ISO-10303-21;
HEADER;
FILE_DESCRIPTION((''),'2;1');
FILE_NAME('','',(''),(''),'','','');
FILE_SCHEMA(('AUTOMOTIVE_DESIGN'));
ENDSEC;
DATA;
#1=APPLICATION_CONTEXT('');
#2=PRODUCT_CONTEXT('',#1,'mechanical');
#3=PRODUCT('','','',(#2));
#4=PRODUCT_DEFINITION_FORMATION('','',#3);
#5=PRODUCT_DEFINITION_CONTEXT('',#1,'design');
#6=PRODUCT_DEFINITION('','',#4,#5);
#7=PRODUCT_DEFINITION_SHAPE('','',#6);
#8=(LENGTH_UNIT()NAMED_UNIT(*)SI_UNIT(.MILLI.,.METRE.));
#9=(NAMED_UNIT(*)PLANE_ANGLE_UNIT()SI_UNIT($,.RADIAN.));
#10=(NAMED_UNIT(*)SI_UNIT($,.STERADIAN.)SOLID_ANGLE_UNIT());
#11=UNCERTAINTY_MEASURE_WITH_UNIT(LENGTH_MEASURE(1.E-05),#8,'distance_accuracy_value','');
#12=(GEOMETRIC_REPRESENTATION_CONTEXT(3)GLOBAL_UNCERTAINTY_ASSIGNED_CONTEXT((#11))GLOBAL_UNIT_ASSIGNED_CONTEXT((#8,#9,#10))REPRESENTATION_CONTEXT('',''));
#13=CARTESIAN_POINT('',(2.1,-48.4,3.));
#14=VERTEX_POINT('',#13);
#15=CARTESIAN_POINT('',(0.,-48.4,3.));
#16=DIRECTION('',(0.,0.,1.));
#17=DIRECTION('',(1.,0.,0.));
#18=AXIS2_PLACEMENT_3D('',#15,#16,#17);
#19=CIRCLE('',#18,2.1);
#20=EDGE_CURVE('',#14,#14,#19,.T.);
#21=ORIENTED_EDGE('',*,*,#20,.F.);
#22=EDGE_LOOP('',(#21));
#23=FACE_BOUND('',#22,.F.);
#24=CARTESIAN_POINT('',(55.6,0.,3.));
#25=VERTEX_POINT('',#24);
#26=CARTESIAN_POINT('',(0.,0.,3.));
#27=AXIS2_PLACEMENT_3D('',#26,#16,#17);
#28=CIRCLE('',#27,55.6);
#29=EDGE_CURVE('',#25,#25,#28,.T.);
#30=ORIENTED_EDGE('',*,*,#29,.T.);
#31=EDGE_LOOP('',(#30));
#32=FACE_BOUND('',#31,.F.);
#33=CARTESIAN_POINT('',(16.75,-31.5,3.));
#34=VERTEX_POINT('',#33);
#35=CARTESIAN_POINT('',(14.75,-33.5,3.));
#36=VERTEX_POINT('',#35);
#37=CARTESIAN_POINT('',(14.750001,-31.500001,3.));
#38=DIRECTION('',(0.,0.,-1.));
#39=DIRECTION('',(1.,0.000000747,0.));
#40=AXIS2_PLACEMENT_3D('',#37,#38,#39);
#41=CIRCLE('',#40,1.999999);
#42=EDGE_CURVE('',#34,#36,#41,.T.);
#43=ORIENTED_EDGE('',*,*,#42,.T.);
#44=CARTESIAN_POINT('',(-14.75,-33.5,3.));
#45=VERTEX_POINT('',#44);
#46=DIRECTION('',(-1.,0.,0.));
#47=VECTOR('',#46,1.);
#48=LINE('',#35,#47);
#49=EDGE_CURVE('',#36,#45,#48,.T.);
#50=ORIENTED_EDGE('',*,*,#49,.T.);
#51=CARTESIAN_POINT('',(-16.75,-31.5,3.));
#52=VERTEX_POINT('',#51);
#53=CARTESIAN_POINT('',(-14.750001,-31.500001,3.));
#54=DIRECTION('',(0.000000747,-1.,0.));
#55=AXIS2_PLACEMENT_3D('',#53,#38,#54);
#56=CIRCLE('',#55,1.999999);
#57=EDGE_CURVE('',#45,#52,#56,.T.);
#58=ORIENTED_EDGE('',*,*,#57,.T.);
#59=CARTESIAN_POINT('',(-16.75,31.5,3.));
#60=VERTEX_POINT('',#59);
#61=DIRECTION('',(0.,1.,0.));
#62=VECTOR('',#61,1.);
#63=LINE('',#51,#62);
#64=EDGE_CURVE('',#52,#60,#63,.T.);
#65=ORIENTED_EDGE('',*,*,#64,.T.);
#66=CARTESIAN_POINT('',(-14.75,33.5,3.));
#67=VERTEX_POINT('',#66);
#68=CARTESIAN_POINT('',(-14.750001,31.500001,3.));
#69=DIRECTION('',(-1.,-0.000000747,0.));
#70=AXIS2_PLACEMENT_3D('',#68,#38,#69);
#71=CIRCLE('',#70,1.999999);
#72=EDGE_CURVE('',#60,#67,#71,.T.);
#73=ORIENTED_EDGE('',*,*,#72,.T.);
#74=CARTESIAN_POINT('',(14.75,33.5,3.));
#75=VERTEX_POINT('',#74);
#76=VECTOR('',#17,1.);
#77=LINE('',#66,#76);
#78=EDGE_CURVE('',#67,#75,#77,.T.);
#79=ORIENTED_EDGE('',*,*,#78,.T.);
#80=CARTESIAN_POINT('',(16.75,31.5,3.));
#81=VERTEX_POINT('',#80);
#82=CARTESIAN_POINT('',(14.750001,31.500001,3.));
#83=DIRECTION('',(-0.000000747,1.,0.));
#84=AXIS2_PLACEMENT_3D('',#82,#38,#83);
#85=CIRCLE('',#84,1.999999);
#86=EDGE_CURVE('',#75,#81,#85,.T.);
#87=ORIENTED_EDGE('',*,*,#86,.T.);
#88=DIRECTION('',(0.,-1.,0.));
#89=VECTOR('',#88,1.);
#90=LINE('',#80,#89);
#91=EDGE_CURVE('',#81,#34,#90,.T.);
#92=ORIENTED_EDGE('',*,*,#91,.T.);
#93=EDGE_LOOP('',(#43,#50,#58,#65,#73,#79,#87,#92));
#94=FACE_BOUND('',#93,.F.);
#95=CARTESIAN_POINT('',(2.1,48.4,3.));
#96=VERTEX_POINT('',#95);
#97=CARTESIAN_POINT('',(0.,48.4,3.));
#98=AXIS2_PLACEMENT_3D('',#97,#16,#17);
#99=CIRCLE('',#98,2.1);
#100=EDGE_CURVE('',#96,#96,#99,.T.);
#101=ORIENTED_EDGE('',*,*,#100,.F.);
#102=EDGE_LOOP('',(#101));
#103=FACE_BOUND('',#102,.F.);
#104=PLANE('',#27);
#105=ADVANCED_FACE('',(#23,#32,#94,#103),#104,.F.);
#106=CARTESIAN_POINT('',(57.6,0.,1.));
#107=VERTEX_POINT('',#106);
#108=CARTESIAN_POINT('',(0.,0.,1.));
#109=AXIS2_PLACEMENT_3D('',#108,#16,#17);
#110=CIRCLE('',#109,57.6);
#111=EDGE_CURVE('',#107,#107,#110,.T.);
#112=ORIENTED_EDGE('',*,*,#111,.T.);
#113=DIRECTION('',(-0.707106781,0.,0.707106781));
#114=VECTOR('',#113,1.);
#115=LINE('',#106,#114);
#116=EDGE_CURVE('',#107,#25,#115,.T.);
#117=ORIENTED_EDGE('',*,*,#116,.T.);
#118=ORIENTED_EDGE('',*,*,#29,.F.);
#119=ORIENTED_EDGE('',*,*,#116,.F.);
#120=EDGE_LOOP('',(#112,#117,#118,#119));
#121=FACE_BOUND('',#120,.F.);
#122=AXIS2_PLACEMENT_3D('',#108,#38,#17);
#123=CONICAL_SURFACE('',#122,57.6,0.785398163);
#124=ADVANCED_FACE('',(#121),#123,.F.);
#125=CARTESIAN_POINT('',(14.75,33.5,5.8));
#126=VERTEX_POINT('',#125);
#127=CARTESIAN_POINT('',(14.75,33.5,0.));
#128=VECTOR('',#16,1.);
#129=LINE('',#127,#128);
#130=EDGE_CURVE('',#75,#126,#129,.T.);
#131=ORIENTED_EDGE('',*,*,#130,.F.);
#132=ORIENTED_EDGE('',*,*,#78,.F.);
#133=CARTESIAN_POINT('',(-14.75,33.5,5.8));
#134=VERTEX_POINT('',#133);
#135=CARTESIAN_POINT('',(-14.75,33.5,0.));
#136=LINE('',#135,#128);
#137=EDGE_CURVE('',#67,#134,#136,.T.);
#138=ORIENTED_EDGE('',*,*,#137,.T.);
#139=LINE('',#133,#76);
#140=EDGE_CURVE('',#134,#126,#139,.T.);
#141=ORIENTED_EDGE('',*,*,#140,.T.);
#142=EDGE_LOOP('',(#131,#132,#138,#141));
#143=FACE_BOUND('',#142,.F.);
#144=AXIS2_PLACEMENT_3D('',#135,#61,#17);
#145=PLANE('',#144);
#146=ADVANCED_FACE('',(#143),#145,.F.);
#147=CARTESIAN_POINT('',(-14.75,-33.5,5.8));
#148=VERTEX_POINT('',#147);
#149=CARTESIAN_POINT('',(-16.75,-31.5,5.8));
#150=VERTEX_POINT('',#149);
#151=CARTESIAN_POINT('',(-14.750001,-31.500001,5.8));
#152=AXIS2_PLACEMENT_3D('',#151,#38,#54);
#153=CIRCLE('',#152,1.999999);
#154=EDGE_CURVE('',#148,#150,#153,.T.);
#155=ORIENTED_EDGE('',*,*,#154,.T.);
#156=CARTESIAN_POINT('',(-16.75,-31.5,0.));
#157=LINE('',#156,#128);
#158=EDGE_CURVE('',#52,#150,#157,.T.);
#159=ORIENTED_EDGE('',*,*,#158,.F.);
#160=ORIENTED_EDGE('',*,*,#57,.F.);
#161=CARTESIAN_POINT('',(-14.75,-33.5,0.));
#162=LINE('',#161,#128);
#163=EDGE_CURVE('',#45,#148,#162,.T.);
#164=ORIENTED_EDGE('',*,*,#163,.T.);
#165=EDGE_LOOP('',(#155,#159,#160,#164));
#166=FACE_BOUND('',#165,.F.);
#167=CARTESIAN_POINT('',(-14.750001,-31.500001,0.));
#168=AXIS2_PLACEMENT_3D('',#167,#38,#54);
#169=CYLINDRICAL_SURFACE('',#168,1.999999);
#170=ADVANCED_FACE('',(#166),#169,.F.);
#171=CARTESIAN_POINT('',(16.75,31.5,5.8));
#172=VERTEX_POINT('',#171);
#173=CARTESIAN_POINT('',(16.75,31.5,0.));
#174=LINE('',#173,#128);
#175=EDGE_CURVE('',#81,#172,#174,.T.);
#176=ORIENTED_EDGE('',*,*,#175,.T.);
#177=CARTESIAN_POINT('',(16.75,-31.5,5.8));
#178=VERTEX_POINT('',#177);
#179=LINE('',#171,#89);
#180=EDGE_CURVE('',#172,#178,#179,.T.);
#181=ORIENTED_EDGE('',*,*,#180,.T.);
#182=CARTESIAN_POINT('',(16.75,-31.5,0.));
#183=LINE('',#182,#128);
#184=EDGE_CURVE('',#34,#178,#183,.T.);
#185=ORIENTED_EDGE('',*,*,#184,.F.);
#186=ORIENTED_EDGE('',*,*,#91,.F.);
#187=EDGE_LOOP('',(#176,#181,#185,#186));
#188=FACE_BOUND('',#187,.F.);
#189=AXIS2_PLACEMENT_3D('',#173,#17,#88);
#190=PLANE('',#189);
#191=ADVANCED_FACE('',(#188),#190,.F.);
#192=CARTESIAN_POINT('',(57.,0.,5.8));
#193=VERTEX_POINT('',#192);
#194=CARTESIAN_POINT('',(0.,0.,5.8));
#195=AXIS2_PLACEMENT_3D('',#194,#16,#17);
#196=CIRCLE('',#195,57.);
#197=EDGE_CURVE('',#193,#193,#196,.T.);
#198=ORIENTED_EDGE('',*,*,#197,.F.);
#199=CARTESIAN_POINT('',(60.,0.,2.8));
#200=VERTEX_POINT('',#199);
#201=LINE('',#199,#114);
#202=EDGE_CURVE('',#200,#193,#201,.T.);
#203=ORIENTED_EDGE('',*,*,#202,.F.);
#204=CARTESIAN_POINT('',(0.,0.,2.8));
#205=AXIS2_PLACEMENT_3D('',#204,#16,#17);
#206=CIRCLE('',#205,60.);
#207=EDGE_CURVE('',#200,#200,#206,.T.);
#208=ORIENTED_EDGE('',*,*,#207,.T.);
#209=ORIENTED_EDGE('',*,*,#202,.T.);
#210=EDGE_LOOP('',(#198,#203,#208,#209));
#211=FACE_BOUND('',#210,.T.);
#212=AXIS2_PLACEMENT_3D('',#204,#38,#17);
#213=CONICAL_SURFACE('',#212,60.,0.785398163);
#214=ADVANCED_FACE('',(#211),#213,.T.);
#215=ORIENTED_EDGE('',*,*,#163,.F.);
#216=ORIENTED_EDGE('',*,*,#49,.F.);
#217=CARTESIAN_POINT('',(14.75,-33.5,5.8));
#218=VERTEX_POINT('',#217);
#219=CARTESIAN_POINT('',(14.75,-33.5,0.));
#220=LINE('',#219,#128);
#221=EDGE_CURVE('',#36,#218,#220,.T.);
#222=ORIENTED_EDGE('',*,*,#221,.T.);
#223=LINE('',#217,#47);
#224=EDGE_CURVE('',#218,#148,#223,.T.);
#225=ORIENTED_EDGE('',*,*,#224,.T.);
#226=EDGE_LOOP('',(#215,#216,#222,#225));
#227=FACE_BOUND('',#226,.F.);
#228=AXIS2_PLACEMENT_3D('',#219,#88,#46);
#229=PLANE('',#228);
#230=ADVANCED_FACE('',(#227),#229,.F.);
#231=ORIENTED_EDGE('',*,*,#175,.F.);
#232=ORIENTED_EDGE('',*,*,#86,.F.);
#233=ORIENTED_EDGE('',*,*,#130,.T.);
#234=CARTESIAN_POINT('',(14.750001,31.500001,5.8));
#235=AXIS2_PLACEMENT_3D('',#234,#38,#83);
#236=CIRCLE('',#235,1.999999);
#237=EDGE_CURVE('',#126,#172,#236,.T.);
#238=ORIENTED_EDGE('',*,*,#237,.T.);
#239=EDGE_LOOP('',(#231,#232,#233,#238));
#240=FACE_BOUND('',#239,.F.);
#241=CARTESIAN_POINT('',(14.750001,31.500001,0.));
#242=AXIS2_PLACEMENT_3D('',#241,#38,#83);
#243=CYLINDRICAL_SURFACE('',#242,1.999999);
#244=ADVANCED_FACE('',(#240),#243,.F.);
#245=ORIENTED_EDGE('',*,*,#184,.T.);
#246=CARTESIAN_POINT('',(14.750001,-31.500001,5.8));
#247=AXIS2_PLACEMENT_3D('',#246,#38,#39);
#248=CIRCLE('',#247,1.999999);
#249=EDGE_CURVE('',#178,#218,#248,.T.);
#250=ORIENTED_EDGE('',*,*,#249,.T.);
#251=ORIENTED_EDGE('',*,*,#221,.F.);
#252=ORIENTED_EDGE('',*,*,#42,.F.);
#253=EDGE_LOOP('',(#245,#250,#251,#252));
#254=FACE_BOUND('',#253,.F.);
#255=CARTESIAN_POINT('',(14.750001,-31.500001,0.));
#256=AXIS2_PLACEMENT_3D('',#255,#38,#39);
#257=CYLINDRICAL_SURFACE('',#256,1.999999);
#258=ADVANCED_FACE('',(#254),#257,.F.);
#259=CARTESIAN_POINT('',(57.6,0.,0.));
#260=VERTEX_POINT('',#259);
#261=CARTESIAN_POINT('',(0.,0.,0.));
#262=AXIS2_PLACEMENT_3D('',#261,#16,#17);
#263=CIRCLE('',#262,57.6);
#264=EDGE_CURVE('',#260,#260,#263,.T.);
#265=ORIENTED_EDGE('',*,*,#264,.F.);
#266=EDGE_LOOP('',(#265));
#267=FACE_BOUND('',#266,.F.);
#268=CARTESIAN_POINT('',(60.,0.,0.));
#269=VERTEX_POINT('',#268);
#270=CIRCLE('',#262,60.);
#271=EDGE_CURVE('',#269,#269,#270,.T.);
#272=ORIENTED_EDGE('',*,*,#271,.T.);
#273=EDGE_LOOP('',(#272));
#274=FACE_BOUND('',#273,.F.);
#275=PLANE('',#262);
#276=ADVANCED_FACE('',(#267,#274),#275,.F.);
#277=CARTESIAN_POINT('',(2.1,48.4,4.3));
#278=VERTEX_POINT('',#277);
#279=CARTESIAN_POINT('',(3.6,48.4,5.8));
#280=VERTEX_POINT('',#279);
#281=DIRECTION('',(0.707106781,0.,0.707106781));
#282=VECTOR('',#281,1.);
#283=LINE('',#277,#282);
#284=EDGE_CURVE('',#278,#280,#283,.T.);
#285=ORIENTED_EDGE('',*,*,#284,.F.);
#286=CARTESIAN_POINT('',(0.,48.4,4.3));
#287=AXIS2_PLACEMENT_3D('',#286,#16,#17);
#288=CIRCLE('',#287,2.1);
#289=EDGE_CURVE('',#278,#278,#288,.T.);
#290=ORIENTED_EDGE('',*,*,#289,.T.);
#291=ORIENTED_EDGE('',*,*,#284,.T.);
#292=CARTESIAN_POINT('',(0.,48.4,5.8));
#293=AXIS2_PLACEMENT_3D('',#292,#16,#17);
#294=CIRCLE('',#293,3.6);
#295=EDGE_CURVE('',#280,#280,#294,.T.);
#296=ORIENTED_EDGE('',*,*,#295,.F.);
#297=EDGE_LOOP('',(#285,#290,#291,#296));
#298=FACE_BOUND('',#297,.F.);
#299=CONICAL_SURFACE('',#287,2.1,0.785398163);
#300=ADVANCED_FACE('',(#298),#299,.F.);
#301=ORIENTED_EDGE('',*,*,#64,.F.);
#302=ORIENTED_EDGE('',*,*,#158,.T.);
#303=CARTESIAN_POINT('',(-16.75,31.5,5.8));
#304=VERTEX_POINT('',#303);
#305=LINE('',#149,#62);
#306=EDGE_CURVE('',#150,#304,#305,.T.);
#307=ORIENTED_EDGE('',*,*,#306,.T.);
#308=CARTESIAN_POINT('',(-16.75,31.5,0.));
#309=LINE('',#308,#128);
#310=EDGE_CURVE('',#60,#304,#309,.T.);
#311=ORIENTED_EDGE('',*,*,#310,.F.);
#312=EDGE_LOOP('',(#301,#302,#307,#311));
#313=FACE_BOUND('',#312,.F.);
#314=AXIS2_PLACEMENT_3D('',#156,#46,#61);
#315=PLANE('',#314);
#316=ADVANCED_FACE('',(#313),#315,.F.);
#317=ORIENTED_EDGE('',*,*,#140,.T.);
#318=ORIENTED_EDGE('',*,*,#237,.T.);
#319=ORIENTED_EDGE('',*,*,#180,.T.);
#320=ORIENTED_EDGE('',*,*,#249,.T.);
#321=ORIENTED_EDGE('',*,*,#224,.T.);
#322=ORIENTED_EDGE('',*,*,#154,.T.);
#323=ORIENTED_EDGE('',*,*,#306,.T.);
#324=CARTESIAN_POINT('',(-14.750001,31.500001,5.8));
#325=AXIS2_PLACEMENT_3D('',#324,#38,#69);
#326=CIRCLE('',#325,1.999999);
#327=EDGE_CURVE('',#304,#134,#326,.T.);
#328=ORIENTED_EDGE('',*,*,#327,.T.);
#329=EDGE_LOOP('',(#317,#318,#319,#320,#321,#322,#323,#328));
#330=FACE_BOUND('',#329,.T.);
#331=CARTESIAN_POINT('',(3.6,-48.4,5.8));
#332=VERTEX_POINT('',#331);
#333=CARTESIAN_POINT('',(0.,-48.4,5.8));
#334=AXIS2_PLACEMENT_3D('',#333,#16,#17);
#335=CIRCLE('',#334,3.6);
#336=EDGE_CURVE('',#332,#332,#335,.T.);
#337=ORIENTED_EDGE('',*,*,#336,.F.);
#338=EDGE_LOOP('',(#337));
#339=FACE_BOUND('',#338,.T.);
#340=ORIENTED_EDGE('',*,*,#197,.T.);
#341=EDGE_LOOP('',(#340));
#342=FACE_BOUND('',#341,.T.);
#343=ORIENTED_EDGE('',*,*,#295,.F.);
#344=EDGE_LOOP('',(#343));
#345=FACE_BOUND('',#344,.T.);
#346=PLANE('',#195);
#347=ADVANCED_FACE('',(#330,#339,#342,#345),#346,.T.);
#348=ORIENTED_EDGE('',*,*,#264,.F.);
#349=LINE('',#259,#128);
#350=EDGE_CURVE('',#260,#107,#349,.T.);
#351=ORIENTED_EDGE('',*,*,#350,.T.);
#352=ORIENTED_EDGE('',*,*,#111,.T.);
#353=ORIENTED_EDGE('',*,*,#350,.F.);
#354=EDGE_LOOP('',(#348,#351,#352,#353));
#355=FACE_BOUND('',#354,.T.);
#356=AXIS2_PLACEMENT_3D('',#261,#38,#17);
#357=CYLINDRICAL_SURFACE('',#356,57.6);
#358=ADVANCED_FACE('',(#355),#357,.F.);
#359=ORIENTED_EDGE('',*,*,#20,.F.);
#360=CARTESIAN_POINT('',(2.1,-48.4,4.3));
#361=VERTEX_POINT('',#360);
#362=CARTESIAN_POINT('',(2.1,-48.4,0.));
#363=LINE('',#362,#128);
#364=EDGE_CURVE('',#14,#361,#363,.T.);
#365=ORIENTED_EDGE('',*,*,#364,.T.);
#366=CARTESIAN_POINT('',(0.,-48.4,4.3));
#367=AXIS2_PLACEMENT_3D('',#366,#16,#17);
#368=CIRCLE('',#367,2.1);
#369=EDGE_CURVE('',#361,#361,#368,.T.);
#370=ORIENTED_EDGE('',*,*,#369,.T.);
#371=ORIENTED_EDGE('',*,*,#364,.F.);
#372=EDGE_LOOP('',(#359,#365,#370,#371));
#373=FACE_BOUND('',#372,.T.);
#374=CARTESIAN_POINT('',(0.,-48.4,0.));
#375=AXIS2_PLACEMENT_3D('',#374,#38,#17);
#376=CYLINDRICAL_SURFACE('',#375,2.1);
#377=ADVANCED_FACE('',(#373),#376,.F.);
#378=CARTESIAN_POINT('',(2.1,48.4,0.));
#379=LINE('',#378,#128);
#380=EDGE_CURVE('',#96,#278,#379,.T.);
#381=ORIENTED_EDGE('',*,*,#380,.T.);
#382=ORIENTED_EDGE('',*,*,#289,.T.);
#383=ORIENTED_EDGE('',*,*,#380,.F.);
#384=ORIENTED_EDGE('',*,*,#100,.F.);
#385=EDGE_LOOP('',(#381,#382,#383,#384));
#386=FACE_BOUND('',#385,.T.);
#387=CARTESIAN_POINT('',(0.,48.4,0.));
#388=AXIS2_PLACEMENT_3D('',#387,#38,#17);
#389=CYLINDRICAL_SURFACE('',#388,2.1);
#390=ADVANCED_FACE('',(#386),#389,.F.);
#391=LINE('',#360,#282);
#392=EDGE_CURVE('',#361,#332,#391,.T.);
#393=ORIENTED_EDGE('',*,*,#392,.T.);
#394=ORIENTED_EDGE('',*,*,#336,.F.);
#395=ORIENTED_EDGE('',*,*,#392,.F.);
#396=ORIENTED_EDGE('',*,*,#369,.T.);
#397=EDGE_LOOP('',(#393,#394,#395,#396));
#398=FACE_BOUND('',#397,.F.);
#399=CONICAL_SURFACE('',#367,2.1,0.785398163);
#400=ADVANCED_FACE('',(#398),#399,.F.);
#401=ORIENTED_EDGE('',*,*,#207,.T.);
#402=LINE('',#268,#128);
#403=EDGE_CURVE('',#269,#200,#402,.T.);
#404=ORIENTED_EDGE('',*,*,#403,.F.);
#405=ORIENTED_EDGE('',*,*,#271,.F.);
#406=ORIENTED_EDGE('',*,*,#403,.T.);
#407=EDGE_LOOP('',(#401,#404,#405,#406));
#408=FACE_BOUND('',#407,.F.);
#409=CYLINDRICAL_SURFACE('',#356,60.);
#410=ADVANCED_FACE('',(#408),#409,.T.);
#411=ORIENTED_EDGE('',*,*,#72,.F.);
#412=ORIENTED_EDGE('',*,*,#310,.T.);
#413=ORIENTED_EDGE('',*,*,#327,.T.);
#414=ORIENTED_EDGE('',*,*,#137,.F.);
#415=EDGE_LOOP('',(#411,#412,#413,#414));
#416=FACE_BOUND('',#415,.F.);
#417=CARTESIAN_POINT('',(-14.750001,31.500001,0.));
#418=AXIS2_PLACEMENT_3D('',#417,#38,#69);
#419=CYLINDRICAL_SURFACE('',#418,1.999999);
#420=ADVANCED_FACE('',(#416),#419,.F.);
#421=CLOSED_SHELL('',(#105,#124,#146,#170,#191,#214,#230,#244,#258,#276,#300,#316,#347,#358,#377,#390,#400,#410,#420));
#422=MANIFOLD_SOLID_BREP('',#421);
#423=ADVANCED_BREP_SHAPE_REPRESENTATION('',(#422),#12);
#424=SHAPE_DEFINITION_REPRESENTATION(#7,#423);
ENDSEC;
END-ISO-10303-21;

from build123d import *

# Parameters (mm, degrees)
F0_R     = 60
F0_R_2   = 57.6
F0_R_3   = 2.1
F1_DEPTH = 5.8
F2_SIZE  = 3
F3_DEPTH = 3
F4_SIZE  = 2
F5_SIZE  = 1.5


with BuildPart() as f1:
    # F0 (on Top) → F1 (new body)
    with BuildSketch(Plane.XY):
        Circle(F0_R)
        Circle(F0_R_2, mode=Mode.SUBTRACT)
        Circle(F0_R_2)
        with Locations((0, -48.4)):
            Circle(F0_R_3, mode=Mode.SUBTRACT)
        with BuildLine():
            Line((-14.75, 33.5), (14.75, 33.5))
            ThreePointArc((14.75, 33.5), (16.164214, 32.914214), (16.75, 31.5))
            Line((16.75, 31.5), (16.75, -31.5))
            ThreePointArc((16.75, -31.5), (16.164214, -32.914214), (14.75, -33.5))
            Line((14.75, -33.5), (-14.75, -33.5))
            ThreePointArc((-14.75, -33.5), (-16.164214, -32.914214), (-16.75, -31.5))
            Line((-16.75, -31.5), (-16.75, 31.5))
            ThreePointArc((-16.75, 31.5), (-16.164214, 32.914214), (-14.75, 33.5))
        make_face(mode=Mode.SUBTRACT)
        with Locations((0, 48.4)):
            Circle(F0_R_3, mode=Mode.SUBTRACT)
    extrude(amount=F1_DEPTH)

    # F2
    f2_edges = [f1.edges().sort_by_distance(p)[0] for p in [
        (-60, 0, 5.8),
    ]]
    chamfer(f2_edges, length=F2_SIZE)

    # F0 (on Top) → F3 (cut)
    with BuildSketch(Plane.XY):
        Circle(F0_R_2)
        with Locations((0, -48.4)):
            Circle(F0_R_3, mode=Mode.SUBTRACT)
        with BuildLine():
            Line((-14.75, 33.5), (14.75, 33.5))
            ThreePointArc((14.75, 33.5), (16.164214, 32.914214), (16.75, 31.5))
            Line((16.75, 31.5), (16.75, -31.5))
            ThreePointArc((16.75, -31.5), (16.164214, -32.914214), (14.75, -33.5))
            Line((14.75, -33.5), (-14.75, -33.5))
            ThreePointArc((-14.75, -33.5), (-16.164214, -32.914214), (-16.75, -31.5))
            Line((-16.75, -31.5), (-16.75, 31.5))
            ThreePointArc((-16.75, 31.5), (-16.164214, 32.914214), (-14.75, 33.5))
        make_face(mode=Mode.SUBTRACT)
        with Locations((0, 48.4)):
            Circle(F0_R_3, mode=Mode.SUBTRACT)
    extrude(amount=F3_DEPTH, mode=Mode.SUBTRACT)

    # F4
    f4_edges = [f1.edges().sort_by_distance(p)[0] for p in [
        (-57.6, 0, 3),
    ]]
    chamfer(f4_edges, length=F4_SIZE)

    # F5
    f5_edges = [f1.edges().sort_by_distance(p)[0] for p in [
        (-2.1, -48.4, 5.8),
        (-2.1, 48.4, 5.8),
    ]]
    chamfer(f5_edges, length=F5_SIZE)


solid = f1.part
